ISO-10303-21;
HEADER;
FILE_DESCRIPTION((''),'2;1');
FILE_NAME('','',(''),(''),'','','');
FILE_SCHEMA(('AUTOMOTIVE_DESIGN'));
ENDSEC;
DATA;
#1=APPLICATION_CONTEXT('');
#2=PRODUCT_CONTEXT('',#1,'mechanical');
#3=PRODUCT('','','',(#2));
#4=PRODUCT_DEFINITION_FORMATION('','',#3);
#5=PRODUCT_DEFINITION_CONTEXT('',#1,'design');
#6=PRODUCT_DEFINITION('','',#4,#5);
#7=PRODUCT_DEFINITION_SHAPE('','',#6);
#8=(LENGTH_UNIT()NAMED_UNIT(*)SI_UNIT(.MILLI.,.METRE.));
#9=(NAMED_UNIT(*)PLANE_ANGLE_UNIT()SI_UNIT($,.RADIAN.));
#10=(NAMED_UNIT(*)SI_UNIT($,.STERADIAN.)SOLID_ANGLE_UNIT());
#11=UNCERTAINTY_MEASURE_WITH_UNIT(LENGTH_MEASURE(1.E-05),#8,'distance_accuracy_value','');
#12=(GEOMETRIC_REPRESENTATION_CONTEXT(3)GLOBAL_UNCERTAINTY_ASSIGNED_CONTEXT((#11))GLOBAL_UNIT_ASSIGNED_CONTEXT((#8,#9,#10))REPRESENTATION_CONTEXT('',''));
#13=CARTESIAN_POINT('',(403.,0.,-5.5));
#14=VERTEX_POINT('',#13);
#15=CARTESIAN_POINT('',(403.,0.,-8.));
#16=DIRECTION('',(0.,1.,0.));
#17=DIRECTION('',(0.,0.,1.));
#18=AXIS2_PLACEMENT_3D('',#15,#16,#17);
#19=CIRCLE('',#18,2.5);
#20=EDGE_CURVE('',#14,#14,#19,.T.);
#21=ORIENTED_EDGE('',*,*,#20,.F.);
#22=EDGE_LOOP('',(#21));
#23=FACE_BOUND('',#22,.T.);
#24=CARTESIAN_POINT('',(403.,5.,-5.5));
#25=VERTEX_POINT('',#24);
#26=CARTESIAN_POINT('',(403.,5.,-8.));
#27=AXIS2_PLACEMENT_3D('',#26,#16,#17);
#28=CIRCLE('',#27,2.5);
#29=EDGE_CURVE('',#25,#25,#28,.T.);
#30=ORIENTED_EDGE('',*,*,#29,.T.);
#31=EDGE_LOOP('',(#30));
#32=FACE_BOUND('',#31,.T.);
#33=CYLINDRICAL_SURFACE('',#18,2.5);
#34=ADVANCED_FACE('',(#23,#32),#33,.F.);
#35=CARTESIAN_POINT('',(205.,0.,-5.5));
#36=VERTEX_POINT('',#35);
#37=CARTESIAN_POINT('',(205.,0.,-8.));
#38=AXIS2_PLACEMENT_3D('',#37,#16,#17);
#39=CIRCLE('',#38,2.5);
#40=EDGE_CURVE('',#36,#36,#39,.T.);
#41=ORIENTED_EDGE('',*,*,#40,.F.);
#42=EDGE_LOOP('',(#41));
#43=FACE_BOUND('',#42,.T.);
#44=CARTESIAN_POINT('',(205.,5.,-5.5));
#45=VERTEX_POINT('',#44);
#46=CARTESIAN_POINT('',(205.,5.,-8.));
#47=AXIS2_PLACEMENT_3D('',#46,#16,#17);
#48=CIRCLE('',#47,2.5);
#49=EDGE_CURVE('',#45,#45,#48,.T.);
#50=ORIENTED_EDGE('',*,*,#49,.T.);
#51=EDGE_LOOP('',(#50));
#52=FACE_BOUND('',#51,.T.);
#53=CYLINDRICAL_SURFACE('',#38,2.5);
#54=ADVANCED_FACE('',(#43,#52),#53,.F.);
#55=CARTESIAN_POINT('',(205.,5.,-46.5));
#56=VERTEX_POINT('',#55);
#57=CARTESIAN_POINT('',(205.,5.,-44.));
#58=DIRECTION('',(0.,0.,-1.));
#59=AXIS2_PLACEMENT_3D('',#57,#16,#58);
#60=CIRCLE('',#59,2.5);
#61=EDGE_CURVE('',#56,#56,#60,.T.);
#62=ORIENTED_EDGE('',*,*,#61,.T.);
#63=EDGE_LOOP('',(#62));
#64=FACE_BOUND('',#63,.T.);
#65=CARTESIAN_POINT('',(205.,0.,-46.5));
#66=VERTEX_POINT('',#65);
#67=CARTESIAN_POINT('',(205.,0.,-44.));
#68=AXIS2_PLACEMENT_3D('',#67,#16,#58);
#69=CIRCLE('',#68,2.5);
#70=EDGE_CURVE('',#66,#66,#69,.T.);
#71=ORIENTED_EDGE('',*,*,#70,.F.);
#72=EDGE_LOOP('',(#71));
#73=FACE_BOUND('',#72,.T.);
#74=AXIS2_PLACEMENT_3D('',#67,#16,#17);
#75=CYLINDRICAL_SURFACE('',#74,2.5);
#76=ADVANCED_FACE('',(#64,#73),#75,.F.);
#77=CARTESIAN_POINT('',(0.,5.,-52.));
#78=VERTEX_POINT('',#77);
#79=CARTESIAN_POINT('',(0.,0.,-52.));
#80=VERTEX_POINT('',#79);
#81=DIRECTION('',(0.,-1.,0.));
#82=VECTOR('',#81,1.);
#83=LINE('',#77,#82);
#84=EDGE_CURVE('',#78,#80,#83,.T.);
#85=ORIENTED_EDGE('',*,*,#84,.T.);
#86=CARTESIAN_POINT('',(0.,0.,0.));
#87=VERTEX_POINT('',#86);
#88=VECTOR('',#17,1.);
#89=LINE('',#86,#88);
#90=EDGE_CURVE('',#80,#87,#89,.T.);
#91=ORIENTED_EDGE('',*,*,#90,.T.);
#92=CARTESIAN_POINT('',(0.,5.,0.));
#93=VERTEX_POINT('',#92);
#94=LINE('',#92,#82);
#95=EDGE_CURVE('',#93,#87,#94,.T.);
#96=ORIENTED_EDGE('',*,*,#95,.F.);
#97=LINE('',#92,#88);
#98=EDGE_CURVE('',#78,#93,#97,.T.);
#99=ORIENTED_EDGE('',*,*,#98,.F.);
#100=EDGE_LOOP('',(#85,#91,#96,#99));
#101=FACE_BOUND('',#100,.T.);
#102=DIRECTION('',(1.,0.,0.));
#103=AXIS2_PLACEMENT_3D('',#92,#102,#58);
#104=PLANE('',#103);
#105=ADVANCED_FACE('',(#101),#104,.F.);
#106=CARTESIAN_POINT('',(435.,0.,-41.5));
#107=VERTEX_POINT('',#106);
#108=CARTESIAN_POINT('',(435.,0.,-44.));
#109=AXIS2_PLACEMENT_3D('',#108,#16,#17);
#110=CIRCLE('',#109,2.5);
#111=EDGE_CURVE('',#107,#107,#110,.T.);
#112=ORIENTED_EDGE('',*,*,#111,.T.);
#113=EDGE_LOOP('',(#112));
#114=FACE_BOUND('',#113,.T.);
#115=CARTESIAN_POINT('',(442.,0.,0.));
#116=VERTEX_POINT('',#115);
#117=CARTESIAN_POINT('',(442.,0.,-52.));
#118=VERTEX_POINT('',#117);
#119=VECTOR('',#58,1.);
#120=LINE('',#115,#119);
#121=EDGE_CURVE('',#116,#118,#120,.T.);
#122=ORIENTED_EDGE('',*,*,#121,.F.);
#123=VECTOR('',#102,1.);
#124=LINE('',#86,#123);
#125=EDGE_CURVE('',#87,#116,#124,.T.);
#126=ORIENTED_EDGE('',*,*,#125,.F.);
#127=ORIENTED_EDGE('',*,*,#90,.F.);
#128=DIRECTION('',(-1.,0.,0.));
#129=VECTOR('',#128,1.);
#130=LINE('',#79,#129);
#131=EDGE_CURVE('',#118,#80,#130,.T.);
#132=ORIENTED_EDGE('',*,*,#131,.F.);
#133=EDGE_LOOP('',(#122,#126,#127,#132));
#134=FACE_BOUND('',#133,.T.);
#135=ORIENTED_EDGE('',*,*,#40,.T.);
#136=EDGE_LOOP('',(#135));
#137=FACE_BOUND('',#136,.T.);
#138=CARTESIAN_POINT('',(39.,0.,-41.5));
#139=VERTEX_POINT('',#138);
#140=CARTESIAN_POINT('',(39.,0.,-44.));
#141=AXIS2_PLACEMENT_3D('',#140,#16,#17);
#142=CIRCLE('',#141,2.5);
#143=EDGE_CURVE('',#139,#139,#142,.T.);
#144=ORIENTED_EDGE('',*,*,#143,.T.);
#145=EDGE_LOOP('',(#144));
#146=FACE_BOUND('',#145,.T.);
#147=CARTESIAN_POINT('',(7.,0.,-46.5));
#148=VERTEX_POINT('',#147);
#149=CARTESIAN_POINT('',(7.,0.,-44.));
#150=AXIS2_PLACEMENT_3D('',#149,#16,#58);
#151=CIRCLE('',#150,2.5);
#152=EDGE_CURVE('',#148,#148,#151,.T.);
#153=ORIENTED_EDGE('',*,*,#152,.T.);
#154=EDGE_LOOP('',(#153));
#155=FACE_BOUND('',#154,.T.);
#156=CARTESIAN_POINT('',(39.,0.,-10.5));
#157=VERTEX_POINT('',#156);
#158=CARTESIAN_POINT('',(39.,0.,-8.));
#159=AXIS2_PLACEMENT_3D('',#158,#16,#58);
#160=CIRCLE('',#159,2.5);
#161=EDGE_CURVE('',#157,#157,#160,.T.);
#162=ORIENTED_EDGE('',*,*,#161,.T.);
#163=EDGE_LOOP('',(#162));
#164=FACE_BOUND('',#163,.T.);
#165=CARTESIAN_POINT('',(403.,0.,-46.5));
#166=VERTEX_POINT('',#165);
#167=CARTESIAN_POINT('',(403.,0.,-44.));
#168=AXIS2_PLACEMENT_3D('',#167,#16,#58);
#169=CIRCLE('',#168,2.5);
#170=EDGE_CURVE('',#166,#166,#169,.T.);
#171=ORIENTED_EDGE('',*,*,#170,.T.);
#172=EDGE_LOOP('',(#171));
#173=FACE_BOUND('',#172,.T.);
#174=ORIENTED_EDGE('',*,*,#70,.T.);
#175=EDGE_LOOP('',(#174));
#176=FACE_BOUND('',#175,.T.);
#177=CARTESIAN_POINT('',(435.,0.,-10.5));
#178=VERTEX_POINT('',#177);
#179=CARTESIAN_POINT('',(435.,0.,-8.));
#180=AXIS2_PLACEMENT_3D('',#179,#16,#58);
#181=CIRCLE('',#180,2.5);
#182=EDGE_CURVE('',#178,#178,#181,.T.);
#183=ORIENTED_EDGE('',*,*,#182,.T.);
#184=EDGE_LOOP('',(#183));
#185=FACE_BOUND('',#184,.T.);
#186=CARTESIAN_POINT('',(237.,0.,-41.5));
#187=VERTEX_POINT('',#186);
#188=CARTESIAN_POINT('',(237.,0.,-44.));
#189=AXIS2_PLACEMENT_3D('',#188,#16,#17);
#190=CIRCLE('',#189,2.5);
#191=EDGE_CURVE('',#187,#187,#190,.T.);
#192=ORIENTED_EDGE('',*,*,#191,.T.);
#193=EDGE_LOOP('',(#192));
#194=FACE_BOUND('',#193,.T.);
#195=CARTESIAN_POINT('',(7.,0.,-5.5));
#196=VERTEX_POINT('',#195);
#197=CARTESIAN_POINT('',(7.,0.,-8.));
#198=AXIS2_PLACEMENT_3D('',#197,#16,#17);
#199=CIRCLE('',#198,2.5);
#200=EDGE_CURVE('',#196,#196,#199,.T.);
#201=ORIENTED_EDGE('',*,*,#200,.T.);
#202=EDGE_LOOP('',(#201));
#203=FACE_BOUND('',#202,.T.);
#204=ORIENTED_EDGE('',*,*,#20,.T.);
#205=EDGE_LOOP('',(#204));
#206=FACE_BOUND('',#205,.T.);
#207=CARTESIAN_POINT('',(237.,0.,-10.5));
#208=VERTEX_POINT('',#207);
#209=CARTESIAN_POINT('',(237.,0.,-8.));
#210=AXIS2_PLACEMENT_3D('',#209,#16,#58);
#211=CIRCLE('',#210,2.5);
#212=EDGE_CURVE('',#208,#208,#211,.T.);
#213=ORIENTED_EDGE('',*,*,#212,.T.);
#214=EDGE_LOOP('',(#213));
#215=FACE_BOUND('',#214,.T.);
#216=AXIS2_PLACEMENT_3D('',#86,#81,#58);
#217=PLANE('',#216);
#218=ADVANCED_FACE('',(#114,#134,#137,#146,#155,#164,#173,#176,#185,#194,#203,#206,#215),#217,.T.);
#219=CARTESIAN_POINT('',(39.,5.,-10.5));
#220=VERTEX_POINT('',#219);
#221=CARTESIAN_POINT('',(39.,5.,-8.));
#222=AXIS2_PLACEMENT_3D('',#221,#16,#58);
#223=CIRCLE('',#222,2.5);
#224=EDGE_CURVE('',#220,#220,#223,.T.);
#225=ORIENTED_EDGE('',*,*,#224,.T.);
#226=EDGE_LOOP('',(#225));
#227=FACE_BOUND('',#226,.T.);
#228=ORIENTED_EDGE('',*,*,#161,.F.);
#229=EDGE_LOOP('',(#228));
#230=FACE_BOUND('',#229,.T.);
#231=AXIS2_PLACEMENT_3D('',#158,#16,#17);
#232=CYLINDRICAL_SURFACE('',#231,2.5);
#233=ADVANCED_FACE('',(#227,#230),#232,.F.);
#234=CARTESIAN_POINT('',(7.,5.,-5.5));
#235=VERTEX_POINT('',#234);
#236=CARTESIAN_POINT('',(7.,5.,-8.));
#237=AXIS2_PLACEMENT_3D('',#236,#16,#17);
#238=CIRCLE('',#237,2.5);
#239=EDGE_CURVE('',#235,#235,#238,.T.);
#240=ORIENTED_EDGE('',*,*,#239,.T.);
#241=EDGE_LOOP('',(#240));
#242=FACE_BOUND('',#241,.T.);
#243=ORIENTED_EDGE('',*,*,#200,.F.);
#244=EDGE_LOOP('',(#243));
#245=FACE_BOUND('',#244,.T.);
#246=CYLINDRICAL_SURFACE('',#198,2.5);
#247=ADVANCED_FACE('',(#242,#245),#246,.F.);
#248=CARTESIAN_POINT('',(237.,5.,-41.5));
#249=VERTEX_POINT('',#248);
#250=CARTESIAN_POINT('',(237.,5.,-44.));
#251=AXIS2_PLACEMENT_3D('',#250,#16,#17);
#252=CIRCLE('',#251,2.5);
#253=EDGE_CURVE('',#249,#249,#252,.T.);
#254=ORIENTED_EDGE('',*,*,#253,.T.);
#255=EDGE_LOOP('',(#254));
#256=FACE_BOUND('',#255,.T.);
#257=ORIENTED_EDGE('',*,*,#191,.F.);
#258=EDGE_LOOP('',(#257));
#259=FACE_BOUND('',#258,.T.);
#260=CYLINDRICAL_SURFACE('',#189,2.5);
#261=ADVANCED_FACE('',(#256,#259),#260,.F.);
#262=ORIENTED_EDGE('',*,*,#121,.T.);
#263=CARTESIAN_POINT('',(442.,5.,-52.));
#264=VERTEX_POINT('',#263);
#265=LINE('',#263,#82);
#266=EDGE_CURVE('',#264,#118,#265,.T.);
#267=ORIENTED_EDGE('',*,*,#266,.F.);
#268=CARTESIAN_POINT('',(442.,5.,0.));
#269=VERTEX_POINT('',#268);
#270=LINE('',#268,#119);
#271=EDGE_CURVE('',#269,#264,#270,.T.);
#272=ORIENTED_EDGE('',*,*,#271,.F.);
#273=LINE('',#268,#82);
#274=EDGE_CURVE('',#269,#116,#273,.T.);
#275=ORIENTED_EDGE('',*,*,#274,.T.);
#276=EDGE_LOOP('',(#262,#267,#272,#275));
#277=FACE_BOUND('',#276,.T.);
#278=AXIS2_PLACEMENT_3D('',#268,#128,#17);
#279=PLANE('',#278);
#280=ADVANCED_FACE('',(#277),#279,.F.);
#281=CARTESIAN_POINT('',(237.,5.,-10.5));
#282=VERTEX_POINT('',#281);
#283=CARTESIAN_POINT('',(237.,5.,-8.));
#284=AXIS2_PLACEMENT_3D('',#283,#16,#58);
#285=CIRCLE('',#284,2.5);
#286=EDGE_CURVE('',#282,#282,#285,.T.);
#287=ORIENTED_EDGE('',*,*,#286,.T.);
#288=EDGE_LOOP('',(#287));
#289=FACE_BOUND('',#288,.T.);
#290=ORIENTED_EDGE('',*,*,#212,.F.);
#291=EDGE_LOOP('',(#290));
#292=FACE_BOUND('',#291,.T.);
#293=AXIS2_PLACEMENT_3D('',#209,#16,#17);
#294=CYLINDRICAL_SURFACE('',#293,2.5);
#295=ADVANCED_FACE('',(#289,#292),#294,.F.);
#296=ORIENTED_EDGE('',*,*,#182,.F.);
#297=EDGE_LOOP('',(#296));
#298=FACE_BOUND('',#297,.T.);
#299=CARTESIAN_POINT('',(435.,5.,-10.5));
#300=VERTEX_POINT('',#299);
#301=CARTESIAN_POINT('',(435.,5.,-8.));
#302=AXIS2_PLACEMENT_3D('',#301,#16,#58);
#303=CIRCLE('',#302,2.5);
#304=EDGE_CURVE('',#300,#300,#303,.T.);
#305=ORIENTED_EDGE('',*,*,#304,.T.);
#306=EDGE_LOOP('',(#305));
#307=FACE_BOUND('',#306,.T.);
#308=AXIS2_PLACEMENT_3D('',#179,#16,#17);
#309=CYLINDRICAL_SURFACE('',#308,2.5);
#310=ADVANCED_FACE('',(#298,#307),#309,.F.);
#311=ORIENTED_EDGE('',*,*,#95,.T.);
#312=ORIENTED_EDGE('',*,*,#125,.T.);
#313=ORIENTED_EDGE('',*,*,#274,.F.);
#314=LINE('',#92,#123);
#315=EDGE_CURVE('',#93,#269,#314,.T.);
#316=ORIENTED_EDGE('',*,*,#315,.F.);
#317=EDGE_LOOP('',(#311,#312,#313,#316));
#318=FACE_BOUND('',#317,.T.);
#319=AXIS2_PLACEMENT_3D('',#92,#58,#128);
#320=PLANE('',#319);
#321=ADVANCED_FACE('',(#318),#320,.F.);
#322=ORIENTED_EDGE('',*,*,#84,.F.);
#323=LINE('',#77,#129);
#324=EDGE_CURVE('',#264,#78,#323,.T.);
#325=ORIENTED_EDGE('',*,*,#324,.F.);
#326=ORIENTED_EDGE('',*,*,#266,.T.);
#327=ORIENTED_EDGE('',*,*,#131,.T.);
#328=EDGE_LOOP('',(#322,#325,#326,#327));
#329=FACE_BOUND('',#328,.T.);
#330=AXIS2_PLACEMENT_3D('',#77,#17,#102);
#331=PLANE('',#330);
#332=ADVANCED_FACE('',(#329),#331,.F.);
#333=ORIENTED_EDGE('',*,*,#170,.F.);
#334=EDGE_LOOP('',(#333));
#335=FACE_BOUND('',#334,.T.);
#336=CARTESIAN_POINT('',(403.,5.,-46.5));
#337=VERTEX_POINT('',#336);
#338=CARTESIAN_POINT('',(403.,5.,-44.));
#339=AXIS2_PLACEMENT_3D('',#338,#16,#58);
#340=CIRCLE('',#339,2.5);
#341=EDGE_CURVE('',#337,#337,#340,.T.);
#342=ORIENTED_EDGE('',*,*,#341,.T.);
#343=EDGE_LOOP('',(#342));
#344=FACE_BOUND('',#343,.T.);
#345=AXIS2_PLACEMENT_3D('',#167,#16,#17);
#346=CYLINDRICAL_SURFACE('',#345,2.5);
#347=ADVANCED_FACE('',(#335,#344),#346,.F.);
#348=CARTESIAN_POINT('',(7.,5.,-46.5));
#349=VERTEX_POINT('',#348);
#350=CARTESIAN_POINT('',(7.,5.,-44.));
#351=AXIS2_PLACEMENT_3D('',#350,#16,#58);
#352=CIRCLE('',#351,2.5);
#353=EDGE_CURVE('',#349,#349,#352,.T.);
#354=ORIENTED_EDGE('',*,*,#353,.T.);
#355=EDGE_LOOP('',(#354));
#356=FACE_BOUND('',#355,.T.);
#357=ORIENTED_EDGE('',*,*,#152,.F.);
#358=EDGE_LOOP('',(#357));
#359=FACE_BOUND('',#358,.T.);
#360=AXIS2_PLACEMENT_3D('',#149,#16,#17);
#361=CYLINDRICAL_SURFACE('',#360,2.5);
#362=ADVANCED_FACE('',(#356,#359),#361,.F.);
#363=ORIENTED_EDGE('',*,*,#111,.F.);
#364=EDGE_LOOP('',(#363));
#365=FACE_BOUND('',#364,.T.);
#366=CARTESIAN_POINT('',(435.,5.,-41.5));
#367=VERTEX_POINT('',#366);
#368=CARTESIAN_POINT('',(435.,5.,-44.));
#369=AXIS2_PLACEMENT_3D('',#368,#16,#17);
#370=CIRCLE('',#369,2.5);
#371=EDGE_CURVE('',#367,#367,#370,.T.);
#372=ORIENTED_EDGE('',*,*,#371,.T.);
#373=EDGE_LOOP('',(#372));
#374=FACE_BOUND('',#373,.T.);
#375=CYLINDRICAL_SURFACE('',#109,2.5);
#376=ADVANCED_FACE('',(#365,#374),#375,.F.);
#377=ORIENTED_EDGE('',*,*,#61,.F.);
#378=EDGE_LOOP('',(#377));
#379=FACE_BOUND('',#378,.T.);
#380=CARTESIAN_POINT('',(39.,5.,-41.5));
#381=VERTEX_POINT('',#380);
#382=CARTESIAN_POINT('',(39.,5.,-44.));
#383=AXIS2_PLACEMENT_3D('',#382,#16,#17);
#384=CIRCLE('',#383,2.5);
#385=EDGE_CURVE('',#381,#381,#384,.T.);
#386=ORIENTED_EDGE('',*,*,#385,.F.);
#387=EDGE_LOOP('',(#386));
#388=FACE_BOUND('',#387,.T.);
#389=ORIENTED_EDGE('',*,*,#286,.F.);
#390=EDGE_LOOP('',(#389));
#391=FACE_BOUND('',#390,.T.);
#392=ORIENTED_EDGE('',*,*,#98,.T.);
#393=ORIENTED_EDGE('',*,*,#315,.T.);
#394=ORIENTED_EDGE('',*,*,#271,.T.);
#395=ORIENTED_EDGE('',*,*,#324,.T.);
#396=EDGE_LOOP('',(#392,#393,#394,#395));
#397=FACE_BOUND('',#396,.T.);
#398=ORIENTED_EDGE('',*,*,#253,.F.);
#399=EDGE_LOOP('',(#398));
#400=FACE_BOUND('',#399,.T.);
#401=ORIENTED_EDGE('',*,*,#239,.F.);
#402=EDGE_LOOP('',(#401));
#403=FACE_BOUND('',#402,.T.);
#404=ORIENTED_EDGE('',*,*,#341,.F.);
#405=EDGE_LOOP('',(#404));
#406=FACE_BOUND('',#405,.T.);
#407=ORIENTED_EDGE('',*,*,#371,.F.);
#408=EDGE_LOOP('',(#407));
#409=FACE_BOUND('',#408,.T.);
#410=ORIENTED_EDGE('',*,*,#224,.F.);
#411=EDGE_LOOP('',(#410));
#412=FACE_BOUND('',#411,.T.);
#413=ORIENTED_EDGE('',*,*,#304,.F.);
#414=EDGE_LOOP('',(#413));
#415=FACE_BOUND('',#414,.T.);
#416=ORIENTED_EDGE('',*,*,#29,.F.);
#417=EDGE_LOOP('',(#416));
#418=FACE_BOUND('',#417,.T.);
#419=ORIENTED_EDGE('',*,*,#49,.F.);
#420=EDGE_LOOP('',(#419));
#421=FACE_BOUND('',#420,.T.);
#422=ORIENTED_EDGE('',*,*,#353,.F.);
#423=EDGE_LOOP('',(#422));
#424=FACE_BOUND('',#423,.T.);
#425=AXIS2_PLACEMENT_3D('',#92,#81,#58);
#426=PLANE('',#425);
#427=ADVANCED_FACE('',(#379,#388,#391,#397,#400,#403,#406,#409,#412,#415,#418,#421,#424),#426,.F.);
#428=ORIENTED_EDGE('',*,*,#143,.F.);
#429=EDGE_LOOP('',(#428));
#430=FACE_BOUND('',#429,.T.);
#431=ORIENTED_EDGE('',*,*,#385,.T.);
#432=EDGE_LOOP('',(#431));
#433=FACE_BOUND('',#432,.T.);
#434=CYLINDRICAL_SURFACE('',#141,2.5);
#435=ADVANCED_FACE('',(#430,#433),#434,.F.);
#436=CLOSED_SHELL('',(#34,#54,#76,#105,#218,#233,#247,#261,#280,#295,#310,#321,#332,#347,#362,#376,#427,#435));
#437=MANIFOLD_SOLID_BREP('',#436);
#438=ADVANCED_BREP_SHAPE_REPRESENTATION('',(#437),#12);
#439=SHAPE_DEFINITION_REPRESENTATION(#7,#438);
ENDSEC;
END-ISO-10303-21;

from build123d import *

# Parameters (mm, degrees)
SKETCH_1_W          = 442
SKETCH_1_H          = 52
EXTRUDE_1_DEPTH     = 5
SKETCH_2_R          = 2.5
CUT_EXTRUDE_1_DEPTH = 446.076397936


with BuildPart() as part:
    # 草图1 → 凸台-拉伸1 (new body)
    with BuildSketch(Plane(origin=(0, 0, 0), x_dir=(1, 0, 0), z_dir=(0, 1, 0))):
        with Locations((221, 26)):
            Rectangle(SKETCH_1_W, SKETCH_1_H)
    extrude(amount=EXTRUDE_1_DEPTH)

    # 草图2 → 切除-拉伸1 (cut, through all)
    with BuildSketch(Plane(origin=(0, 5, 0), x_dir=(1, 0, 0), z_dir=(0, 1, 0))):
        with Locations(Location((205, 8, 0), (0, 0, 270))):
            Circle(SKETCH_2_R)
        with Locations(Location((237, 8, 0), (0, 0, 90))):
            Circle(SKETCH_2_R)
        with Locations(Location((205, 44, 0), (0, 0, 90))):
            Circle(SKETCH_2_R)
        with Locations(Location((237, 44, 0), (0, 0, 270))):
            Circle(SKETCH_2_R)
        with Locations(Location((435, 44, 0), (0, 0, 270))):
            Circle(SKETCH_2_R)
        with Locations(Location((403, 44, 0), (0, 0, 90))):
            Circle(SKETCH_2_R)
        with Locations(Location((403, 8, 0), (0, 0, 270))):
            Circle(SKETCH_2_R)
        with Locations(Location((435, 8, 0), (0, 0, 90))):
            Circle(SKETCH_2_R)
        with Locations(Location((7, 44, 0), (0, 0, 90))):
            Circle(SKETCH_2_R)
        with Locations(Location((39, 44, 0), (0, 0, 270))):
            Circle(SKETCH_2_R)
        with Locations(Location((39, 8, 0), (0, 0, 90))):
            Circle(SKETCH_2_R)
        with Locations(Location((7, 8, 0), (0, 0, 270))):
            Circle(SKETCH_2_R)
    extrude(amount=-CUT_EXTRUDE_1_DEPTH, mode=Mode.SUBTRACT)


solid = part.part
